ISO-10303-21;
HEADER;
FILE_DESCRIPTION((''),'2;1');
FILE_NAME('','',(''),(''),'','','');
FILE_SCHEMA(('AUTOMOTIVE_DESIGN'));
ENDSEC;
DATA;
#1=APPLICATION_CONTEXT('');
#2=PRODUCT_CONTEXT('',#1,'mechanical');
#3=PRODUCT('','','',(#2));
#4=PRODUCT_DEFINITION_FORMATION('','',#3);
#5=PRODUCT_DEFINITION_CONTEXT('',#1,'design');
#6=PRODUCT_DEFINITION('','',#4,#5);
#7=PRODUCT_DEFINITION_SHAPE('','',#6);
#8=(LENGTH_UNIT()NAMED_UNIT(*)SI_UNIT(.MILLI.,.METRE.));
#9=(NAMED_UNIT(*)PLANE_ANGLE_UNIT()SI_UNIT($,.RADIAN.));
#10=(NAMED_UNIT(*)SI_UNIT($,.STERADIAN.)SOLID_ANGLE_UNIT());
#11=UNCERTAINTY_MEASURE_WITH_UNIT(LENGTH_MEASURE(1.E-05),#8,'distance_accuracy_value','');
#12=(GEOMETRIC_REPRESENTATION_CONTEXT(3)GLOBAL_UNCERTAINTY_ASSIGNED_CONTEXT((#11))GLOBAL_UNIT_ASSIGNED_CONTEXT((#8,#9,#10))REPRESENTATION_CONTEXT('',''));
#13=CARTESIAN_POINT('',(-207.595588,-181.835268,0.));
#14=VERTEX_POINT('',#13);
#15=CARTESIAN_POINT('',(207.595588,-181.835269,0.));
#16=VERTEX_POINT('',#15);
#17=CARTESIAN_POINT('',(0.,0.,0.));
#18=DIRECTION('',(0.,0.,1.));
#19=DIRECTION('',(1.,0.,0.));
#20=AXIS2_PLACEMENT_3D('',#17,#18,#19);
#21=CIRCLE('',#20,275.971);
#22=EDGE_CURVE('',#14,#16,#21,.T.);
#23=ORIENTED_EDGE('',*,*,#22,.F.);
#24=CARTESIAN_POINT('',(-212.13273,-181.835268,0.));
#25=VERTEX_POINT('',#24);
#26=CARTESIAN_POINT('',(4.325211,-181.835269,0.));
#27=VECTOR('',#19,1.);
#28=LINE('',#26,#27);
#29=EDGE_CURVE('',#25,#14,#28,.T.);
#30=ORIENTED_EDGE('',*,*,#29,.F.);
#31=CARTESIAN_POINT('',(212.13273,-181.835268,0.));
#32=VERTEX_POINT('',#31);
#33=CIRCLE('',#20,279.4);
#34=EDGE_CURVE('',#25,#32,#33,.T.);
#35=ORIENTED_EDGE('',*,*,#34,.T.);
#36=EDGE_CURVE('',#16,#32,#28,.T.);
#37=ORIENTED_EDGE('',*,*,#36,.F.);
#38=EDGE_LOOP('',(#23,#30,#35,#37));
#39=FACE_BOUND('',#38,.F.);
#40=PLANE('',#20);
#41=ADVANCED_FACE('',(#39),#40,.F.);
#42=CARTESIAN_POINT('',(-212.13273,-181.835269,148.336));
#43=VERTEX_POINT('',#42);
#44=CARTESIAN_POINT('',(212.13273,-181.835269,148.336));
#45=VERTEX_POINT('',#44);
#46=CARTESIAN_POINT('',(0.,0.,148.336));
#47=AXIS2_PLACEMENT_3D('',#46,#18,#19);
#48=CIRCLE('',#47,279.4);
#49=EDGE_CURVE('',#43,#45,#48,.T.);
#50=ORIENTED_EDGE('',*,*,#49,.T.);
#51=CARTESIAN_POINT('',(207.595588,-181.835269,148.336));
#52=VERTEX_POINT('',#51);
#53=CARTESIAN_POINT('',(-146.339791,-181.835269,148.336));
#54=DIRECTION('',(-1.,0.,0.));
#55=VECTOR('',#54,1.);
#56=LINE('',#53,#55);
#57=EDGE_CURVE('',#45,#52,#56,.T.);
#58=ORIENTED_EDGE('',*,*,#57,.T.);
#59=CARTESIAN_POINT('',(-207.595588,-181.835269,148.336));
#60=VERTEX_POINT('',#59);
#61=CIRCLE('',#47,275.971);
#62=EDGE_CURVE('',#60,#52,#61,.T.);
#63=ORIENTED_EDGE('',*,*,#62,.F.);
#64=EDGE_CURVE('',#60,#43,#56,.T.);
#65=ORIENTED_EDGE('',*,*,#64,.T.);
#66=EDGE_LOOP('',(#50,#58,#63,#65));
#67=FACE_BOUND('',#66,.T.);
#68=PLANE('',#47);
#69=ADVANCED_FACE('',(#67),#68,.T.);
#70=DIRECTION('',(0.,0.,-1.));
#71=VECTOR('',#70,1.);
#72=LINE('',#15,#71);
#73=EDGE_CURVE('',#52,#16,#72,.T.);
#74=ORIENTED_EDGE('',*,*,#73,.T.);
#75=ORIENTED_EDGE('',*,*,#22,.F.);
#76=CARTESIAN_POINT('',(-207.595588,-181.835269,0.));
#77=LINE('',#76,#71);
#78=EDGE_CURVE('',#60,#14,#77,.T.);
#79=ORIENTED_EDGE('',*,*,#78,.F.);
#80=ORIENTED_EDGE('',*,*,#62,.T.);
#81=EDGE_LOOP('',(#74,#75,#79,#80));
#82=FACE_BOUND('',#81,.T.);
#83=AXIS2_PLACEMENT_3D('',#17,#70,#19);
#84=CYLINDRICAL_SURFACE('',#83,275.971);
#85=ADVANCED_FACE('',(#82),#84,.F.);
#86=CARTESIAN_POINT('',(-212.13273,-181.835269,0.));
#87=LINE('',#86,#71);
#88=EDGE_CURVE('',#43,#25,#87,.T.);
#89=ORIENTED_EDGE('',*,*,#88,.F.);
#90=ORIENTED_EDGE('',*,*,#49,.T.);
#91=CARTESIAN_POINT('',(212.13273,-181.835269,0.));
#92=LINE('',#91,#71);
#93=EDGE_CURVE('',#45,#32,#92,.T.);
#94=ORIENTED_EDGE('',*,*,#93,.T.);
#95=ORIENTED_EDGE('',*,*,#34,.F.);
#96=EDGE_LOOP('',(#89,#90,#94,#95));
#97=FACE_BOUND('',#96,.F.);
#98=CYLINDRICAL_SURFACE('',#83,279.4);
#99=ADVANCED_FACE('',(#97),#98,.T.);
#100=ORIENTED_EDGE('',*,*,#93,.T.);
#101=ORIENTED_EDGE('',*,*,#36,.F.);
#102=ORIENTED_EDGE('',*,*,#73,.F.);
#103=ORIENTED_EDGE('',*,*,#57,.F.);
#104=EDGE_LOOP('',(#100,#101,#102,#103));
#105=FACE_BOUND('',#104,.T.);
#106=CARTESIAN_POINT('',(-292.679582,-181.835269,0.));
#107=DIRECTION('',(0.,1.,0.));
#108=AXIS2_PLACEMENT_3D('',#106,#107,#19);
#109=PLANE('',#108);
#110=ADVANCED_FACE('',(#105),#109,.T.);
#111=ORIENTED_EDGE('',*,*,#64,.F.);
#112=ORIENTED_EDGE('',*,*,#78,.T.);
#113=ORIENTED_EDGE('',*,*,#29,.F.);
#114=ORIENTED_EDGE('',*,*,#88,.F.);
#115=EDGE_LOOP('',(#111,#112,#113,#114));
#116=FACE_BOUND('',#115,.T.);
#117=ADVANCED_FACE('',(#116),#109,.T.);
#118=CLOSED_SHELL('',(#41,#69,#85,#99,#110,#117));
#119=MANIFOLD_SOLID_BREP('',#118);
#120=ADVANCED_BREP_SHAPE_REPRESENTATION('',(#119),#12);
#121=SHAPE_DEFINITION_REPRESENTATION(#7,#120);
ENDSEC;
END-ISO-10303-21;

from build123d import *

# Parameters (mm, degrees)
F0_R     = 279.4
F0_R_2   = 275.971
F1_DEPTH = 148.336
F2_W     = 594.009586
F2_H     = 462.119319
F3_DEPTH = 148.337


with BuildPart() as f1:
    # F0 (on Top) → F1 (new body)
    with BuildSketch(Plane.XY):
        Circle(F0_R)
        Circle(F0_R_2, mode=Mode.SUBTRACT)
    extrude(amount=F1_DEPTH)

    # F2 (on Top) → F3 (cut, through all)
    with BuildSketch(Plane.XY):
        with Locations((4.325211, 49.224391)):
            Rectangle(F2_W, F2_H)
    extrude(amount=F3_DEPTH, mode=Mode.SUBTRACT)


solid = f1.part
